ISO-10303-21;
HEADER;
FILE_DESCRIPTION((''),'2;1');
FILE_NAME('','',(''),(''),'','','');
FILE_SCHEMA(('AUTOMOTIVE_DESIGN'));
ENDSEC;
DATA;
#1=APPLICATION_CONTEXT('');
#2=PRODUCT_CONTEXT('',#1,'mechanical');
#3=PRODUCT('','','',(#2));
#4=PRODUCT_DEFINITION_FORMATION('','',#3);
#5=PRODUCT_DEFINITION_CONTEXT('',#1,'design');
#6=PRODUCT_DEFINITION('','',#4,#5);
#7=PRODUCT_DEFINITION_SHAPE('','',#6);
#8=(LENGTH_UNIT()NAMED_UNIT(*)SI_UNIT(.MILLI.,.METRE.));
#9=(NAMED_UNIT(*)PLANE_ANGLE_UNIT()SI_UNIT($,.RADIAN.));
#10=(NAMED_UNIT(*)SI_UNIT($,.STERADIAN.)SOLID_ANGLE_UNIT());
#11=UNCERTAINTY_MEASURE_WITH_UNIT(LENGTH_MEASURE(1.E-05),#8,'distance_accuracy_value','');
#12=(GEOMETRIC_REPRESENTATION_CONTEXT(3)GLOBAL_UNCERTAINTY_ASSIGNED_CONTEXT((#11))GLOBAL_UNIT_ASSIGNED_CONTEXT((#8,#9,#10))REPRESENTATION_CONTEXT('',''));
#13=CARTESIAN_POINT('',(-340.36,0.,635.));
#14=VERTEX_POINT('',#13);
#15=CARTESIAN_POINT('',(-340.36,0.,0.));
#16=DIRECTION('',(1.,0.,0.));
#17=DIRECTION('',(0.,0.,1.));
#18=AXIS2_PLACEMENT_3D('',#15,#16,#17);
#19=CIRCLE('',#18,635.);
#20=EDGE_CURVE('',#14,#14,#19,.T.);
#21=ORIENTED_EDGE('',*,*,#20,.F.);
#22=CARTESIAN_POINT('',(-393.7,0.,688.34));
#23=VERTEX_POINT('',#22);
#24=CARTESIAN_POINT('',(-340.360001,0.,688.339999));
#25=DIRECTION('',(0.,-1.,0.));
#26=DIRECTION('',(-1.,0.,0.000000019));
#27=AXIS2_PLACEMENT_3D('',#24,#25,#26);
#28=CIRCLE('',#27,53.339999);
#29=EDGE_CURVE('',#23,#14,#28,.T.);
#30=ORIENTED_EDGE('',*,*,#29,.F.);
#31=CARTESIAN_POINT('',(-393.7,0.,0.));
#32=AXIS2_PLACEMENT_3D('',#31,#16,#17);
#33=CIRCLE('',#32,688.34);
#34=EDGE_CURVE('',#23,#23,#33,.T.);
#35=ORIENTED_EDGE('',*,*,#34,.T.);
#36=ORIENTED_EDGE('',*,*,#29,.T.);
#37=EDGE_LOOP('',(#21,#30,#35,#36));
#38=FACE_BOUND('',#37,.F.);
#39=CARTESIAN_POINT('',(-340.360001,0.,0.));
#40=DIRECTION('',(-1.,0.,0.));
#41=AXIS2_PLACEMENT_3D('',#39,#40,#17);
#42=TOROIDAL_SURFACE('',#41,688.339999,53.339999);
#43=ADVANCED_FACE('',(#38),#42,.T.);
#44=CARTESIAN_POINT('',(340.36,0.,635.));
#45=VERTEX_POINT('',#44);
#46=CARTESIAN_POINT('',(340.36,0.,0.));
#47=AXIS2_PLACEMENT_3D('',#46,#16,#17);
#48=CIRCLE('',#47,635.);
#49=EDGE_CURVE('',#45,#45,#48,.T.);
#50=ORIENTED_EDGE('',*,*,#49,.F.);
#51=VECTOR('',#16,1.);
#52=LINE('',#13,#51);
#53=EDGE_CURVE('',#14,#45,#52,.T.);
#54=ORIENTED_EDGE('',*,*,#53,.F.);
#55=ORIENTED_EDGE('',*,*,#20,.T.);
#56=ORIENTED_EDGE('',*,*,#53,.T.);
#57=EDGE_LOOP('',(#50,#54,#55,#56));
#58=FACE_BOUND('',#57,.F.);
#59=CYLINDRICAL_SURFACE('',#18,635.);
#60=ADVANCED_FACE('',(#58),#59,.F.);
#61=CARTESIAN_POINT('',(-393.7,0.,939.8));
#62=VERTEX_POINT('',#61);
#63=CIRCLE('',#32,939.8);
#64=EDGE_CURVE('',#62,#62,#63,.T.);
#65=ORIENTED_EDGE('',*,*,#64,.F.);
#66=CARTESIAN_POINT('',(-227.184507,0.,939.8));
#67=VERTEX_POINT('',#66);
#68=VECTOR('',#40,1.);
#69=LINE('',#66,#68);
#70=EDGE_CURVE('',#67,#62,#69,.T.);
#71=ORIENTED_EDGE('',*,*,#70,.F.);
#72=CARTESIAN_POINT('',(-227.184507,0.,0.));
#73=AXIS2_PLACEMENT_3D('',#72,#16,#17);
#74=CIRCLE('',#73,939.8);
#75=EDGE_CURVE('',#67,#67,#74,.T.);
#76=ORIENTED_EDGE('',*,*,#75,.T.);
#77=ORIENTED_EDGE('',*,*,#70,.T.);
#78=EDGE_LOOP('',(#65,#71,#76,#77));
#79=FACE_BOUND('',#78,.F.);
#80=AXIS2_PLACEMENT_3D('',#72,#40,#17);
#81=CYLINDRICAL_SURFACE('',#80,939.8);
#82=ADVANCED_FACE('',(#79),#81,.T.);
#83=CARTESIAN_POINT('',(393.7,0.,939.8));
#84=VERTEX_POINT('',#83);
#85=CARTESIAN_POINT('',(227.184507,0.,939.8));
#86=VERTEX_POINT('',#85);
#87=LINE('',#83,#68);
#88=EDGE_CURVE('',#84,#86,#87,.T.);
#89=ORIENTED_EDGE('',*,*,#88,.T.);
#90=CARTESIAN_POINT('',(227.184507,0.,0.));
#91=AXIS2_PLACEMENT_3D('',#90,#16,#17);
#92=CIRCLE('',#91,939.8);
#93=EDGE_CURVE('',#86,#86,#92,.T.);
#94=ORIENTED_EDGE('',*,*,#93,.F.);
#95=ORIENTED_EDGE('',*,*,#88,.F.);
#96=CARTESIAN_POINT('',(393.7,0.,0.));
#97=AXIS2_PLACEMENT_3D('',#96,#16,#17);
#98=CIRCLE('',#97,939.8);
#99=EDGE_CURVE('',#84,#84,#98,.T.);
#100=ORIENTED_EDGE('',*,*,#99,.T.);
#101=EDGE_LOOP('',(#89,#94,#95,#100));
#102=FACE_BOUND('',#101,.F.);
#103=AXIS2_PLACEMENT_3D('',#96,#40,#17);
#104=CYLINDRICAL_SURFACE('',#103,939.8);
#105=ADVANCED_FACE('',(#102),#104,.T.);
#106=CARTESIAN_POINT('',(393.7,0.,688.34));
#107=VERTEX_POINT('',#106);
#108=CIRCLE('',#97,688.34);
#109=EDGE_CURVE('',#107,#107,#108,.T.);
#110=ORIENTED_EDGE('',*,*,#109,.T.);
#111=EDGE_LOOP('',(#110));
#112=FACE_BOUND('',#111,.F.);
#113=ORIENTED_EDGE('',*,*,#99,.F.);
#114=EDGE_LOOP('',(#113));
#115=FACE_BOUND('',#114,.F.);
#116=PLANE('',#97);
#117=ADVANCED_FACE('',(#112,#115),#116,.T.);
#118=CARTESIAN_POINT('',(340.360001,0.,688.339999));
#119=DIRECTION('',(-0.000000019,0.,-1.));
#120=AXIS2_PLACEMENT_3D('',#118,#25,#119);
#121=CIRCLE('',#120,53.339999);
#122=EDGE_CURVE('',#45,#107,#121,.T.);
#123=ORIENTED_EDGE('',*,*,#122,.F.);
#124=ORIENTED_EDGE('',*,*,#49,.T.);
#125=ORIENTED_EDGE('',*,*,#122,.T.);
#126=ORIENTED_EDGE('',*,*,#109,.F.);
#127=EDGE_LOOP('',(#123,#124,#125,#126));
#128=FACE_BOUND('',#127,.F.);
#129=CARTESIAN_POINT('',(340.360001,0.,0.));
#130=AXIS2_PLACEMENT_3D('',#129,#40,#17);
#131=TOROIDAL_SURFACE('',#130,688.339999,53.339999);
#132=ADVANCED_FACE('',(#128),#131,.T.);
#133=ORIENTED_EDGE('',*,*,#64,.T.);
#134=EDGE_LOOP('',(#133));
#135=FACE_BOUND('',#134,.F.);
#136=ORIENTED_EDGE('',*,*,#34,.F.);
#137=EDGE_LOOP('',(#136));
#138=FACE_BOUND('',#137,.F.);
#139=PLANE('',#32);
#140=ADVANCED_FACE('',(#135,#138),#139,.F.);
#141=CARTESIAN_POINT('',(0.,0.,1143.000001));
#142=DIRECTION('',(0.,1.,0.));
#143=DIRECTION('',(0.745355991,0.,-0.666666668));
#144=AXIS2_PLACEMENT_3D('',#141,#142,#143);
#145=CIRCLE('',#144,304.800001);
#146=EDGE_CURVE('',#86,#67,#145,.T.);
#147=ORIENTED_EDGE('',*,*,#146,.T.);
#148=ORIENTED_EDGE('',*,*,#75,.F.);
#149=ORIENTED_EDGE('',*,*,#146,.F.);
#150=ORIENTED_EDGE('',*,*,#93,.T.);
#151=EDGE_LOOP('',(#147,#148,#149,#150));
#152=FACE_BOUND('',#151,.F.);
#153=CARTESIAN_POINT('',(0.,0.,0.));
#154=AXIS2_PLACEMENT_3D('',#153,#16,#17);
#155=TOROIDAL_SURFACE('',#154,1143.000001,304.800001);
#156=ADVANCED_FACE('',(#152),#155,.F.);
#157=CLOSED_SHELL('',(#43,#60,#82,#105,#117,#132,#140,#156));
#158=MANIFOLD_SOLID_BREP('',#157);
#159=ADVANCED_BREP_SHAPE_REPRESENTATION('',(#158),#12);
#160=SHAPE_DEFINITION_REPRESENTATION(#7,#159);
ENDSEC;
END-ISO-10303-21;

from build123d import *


with BuildPart() as f1:
    # F0 (on Front) → F1 (revolve)
    with BuildSketch(Plane.XZ):
        with BuildLine():
            ThreePointArc((-393.7, 688.34), (-378.077076, 650.622924), (-340.36, 635))
            Line((-340.36, 635), (0, 635))
            Line((0, 635), (340.36, 635))
            ThreePointArc((340.36, 635), (378.077076, 650.622924), (393.7, 688.34))
            Line((393.7, 688.34), (393.7, 939.8))
            Line((393.7, 939.8), (227.184507, 939.8))
            ThreePointArc((227.184507, 939.8), (0, 838.2), (-227.184507, 939.8))
            Line((-227.184507, 939.8), (-393.7, 939.8))
            Line((-393.7, 939.8), (-393.7, 688.34))
        make_face()
    revolve(axis=Axis((223.868585, 0, 0), (1, 0, 0)))


solid = f1.part
